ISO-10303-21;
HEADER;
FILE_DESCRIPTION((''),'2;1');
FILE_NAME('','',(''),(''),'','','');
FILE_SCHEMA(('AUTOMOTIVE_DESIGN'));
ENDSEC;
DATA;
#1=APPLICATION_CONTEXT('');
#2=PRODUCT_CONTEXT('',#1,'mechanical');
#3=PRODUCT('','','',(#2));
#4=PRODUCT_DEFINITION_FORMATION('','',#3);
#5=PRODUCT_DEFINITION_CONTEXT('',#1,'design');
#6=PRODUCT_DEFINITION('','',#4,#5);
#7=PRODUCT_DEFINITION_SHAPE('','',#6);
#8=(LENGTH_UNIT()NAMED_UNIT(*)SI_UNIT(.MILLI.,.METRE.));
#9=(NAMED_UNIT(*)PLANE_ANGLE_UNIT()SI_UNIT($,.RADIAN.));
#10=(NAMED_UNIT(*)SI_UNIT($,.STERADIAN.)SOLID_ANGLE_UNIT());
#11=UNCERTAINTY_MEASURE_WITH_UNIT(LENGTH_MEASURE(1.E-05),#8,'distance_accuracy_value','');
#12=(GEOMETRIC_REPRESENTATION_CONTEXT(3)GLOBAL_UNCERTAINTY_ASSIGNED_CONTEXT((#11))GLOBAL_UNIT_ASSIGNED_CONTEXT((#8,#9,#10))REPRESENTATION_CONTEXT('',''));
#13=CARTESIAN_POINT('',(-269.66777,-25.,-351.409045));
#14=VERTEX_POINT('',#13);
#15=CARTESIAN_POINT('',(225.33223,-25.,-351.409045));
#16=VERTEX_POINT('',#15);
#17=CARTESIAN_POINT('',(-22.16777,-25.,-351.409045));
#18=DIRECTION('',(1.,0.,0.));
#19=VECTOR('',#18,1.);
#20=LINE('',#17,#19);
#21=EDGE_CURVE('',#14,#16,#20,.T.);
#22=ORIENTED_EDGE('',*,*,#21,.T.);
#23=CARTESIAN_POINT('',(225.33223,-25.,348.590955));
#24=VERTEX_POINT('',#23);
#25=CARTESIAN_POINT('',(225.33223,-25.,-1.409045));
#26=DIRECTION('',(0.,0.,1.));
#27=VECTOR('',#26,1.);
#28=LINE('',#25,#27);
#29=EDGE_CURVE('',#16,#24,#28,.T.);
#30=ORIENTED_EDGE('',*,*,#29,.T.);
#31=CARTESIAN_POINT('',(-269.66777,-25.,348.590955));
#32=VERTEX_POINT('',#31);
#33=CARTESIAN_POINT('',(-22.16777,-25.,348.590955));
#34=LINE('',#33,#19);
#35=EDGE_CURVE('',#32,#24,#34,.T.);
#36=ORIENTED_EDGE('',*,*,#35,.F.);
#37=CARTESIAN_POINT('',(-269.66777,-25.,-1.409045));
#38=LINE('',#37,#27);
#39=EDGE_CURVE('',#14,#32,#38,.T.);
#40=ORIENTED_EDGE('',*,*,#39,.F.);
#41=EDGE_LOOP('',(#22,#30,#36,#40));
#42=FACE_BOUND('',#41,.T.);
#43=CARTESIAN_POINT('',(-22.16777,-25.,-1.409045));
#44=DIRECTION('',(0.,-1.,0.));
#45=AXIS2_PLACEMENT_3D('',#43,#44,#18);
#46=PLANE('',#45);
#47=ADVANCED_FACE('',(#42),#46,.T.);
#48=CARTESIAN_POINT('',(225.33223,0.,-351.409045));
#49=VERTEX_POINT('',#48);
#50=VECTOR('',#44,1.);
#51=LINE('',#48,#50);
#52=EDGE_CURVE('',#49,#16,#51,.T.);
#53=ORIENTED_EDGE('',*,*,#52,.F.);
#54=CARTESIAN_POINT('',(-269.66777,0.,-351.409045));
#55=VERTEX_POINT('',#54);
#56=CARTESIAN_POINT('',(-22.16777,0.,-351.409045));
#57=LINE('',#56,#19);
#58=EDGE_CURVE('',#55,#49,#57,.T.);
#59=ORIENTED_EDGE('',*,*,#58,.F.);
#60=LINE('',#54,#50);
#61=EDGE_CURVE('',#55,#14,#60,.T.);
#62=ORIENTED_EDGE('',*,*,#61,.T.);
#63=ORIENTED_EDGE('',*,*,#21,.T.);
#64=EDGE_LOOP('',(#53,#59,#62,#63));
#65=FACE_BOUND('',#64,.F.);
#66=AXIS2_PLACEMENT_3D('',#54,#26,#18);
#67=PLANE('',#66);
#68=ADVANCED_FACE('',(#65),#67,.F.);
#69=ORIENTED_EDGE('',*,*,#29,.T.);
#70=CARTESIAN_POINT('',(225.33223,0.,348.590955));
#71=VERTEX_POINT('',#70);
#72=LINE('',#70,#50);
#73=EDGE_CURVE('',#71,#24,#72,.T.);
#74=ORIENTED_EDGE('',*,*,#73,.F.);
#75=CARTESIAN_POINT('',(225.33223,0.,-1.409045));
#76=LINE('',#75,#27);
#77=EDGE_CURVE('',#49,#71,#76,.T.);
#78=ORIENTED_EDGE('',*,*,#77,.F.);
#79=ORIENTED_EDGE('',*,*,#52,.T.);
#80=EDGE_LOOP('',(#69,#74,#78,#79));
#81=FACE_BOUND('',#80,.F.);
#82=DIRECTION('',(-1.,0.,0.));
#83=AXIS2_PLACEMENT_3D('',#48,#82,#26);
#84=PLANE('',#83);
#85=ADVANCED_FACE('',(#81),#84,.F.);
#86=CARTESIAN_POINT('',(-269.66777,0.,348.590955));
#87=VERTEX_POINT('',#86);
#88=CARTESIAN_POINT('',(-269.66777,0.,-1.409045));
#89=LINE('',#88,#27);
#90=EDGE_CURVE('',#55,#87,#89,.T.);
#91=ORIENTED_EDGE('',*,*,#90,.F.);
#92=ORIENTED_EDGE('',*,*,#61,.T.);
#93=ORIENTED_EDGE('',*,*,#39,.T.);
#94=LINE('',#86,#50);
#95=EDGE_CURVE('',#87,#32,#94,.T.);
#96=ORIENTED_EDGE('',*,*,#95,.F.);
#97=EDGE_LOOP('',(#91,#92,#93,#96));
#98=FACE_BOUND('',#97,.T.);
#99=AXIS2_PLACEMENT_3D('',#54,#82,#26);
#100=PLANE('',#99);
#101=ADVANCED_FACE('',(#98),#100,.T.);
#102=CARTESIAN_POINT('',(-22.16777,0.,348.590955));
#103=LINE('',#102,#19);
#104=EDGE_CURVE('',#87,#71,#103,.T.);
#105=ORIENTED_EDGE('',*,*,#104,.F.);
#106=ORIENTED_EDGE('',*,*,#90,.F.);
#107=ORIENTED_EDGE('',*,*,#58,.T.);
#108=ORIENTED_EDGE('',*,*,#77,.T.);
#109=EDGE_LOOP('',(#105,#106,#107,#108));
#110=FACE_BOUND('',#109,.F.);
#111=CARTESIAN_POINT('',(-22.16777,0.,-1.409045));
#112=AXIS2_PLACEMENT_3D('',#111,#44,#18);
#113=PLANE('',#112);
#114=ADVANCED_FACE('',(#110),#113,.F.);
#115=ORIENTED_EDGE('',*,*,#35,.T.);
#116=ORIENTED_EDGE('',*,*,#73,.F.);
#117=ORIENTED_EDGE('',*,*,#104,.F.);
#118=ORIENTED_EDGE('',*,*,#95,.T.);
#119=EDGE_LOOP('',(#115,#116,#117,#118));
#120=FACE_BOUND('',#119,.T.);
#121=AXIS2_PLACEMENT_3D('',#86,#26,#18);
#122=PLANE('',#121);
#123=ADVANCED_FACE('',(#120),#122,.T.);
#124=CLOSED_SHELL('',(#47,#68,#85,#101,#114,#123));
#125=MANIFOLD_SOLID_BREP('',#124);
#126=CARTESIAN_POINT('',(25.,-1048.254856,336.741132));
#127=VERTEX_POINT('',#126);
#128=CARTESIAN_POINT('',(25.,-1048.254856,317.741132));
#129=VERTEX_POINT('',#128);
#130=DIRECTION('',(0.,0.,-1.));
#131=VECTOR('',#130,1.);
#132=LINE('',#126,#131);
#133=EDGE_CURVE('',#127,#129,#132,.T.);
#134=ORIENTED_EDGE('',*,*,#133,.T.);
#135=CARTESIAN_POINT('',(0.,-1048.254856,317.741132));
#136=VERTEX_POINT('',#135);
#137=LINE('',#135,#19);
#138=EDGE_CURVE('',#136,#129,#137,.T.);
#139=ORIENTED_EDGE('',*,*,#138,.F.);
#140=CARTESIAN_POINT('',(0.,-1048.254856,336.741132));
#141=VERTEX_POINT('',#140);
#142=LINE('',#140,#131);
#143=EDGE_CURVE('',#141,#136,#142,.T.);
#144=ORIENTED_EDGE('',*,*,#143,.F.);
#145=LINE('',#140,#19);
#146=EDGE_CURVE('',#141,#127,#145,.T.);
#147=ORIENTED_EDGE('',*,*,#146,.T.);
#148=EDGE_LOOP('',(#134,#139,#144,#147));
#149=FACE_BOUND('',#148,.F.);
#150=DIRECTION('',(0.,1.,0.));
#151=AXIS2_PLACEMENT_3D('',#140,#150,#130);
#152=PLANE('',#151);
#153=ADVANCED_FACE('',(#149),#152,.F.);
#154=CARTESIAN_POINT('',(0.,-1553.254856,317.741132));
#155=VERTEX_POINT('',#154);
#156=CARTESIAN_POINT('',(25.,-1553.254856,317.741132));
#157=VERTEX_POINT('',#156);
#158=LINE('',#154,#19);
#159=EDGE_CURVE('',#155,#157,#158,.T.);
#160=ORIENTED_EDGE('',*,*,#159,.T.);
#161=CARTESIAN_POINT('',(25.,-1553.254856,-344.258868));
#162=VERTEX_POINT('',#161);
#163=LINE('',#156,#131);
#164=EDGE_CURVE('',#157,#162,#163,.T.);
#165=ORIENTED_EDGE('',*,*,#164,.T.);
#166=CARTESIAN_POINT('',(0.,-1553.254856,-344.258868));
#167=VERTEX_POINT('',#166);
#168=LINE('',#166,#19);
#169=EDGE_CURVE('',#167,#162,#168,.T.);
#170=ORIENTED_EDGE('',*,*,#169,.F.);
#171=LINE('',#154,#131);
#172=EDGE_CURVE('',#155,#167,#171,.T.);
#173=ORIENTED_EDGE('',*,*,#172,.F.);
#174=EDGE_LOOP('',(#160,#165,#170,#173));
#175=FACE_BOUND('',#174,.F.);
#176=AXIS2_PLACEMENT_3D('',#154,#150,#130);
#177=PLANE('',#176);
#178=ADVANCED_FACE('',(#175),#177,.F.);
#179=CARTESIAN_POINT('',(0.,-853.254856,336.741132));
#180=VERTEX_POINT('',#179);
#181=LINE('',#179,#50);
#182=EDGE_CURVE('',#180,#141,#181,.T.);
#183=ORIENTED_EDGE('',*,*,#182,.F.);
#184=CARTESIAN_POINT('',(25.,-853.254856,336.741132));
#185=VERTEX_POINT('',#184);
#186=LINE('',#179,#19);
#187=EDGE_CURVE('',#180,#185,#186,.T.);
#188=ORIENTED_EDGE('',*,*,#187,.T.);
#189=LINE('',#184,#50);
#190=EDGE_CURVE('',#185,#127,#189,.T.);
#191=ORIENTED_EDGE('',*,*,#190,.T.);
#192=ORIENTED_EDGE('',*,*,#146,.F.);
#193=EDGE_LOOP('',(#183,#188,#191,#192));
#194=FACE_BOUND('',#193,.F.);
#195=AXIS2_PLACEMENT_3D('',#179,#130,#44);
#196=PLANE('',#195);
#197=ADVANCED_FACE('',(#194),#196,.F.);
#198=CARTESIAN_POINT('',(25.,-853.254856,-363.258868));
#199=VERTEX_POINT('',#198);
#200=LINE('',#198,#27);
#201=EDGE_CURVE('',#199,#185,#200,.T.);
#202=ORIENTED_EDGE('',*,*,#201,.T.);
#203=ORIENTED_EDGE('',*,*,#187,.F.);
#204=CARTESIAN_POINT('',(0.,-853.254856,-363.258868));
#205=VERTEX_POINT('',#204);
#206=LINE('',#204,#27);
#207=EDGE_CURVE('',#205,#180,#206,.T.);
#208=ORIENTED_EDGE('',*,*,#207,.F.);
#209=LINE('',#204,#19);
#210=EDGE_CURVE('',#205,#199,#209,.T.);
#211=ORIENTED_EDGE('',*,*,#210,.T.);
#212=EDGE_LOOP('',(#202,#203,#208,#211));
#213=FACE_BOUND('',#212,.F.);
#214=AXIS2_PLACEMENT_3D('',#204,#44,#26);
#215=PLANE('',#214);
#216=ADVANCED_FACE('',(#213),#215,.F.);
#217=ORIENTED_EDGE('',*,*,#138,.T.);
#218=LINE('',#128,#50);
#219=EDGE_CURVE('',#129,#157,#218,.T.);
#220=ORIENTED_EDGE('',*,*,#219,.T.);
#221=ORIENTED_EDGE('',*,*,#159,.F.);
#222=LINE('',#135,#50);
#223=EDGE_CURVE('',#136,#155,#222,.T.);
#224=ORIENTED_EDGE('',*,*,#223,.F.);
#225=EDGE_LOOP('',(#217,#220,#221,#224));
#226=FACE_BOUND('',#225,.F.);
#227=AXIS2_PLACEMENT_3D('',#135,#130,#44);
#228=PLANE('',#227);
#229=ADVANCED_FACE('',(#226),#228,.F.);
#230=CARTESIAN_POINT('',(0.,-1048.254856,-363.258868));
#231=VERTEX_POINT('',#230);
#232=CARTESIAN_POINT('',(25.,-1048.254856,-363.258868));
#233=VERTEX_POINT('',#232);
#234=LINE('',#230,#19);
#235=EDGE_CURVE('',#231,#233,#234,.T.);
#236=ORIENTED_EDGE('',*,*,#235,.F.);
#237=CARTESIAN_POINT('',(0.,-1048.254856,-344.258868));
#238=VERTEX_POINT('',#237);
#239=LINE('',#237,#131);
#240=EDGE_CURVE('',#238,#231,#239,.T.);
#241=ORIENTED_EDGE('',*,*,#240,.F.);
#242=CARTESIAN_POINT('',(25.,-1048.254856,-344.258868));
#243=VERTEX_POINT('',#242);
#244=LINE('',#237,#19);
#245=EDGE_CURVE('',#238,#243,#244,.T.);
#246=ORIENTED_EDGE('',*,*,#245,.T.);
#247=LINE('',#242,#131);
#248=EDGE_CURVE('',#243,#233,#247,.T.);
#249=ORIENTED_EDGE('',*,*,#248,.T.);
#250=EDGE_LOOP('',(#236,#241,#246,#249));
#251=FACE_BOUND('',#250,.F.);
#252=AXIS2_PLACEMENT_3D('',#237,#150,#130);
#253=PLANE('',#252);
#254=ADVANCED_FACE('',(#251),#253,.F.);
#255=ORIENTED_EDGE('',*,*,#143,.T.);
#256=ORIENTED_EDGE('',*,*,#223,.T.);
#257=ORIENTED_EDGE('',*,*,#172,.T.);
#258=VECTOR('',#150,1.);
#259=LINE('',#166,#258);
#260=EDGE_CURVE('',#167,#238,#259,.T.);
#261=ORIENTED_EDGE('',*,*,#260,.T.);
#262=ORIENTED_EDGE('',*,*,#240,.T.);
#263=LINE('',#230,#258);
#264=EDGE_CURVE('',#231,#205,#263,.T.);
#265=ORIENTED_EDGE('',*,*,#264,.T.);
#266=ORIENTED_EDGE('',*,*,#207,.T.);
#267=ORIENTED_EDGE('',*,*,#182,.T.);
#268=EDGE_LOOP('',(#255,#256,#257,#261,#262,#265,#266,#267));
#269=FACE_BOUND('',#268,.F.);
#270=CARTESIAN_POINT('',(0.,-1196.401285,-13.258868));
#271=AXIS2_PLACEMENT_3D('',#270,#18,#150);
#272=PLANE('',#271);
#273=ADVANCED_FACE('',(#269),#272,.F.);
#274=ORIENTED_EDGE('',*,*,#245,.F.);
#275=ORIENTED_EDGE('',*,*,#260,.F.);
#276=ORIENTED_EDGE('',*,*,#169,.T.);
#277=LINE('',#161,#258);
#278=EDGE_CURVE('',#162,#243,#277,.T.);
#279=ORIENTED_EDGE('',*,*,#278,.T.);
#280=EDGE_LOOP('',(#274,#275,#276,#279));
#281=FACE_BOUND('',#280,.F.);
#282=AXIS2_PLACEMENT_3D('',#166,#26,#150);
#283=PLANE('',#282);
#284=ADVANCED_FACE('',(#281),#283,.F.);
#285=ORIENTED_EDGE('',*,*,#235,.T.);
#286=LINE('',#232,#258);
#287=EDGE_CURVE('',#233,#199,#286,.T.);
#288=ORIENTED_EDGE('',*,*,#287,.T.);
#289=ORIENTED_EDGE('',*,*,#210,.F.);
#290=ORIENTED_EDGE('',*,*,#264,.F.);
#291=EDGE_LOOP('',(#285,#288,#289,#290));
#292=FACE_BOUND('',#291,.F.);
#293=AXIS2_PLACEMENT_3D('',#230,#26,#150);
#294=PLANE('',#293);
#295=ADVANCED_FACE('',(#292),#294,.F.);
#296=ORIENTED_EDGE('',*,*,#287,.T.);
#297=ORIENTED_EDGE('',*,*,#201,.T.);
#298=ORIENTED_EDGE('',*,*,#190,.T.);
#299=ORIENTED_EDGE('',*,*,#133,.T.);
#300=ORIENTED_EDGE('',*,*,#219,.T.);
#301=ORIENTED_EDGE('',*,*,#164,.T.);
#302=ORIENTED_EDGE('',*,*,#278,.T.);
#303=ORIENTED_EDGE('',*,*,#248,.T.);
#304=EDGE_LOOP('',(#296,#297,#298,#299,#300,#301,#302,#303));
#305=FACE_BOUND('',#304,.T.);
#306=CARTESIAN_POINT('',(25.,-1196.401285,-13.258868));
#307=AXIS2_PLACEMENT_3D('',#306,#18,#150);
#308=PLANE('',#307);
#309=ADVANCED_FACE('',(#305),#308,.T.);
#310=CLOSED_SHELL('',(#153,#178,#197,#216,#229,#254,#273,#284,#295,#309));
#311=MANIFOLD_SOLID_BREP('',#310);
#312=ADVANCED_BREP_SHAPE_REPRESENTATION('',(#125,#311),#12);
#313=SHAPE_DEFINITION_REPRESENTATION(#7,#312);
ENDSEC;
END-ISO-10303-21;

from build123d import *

# Parameters (mm, degrees)
F0_W     = 495
F0_H     = 700
F1_DEPTH = 25
F3_DEPTH = 25


with BuildPart() as f1:
    # F0 (on Front) → F1 (new body)
    with BuildSketch(Plane.XZ):
        with Locations((-22.16777, -1.409045)):
            Rectangle(F0_W, F0_H)
    extrude(amount=F1_DEPTH)


with BuildPart() as f3:
    # F2 (on Right) → F3 (new body)
    with BuildSketch(Plane.YZ):
        Polygon((-853.254856, -363.258868), (-853.254856, 336.741132), (-1048.254856, 336.741132), (-1048.254856, 317.741132), (-1553.254856, 317.741132), (-1553.254856, -344.258868), (-1048.254856, -344.258868), (-1048.254856, -363.258868), align=None)
    extrude(amount=F3_DEPTH)


solid = Compound([f1.part, f3.part])
